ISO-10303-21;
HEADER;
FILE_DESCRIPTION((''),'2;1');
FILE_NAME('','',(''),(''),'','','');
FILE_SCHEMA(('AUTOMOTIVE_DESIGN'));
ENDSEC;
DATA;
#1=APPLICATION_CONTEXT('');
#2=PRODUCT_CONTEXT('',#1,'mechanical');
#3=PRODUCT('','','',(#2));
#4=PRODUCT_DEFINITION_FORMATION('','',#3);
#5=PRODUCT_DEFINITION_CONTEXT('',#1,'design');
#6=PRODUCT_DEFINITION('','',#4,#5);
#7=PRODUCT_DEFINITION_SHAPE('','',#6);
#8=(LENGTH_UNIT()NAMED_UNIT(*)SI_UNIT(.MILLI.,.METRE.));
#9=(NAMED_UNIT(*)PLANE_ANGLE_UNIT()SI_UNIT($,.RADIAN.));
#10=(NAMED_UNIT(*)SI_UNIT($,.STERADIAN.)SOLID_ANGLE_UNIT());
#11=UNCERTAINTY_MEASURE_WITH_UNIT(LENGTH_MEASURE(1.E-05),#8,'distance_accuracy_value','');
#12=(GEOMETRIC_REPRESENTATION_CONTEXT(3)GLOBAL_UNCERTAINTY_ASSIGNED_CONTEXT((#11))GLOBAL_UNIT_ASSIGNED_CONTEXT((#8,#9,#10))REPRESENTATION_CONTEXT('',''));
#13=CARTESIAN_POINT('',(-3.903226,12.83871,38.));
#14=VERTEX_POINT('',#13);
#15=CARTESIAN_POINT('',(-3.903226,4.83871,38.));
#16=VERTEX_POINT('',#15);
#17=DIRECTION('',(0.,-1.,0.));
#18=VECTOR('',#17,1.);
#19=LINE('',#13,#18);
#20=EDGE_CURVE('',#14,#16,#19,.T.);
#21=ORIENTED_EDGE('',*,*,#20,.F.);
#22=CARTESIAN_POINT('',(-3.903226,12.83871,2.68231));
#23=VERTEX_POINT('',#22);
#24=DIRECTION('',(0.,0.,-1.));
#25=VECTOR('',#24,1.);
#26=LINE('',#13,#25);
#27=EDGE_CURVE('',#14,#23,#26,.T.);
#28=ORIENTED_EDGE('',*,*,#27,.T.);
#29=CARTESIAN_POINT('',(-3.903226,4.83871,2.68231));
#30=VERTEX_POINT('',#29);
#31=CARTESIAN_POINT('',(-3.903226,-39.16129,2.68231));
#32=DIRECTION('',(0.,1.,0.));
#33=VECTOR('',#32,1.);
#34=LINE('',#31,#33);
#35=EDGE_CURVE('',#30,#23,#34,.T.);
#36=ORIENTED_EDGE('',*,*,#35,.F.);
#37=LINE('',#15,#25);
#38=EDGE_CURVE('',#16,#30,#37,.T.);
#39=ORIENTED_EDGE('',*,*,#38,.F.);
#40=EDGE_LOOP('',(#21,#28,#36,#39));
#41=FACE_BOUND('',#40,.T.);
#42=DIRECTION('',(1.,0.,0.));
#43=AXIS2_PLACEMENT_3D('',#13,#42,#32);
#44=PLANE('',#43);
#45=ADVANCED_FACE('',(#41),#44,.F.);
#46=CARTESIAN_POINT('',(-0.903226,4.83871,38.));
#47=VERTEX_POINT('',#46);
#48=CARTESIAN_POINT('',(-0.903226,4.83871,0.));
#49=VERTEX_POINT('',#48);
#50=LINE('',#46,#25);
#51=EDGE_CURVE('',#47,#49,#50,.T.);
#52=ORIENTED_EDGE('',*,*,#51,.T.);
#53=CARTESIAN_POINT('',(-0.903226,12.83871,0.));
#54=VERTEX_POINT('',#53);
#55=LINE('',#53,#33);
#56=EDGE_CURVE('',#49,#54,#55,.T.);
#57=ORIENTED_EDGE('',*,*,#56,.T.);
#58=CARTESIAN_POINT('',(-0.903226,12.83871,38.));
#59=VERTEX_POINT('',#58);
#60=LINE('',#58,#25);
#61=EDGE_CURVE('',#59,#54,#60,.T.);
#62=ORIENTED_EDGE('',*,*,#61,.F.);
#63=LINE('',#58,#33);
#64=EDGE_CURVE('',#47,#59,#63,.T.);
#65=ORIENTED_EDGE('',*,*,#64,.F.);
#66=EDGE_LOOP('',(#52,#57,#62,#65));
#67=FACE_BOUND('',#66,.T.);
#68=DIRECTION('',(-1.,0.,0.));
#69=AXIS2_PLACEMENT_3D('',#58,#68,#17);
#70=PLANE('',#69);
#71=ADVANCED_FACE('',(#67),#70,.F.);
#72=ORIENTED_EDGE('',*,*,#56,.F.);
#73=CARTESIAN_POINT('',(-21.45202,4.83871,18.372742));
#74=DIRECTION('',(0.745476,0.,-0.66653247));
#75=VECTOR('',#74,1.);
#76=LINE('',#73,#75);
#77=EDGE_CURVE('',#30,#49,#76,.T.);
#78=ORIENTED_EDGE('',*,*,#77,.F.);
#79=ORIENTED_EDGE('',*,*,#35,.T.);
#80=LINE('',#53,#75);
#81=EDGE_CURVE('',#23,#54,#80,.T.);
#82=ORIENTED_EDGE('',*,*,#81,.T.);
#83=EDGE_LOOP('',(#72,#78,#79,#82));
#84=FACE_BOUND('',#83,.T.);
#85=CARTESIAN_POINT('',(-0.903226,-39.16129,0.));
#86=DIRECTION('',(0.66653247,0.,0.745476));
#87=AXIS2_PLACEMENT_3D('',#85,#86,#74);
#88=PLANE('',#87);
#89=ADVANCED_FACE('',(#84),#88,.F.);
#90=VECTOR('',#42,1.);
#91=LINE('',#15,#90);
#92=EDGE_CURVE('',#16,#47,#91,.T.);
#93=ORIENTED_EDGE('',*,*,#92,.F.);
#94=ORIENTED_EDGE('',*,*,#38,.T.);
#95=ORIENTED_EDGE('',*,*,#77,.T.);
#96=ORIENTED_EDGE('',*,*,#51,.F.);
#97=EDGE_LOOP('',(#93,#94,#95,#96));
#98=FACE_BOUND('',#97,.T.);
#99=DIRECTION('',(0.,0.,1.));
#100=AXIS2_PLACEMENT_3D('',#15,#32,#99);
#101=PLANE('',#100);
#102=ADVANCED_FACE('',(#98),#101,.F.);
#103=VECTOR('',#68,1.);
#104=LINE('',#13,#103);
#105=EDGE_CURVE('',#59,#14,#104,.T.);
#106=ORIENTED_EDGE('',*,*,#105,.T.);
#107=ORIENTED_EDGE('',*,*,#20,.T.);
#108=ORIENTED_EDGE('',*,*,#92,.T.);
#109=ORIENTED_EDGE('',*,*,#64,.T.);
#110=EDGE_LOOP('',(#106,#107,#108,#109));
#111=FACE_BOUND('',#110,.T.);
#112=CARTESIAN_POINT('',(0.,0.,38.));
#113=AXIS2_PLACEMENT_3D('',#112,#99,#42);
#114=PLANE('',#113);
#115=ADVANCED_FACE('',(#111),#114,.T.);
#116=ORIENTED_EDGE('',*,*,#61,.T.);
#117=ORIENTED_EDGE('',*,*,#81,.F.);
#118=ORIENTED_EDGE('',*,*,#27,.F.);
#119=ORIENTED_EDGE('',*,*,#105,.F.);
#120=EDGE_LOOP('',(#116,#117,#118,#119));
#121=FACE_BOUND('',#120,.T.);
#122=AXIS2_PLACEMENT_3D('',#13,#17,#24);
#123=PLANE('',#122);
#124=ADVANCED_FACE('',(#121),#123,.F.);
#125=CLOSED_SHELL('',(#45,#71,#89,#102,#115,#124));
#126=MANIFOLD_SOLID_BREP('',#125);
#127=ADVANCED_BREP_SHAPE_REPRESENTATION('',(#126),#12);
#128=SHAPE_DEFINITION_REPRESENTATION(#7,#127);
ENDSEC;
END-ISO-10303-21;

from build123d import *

# Parameters (mm, degrees)
SKETCH1_W           = 3
SKETCH1_H           = 8
BOSS_EXTRUDE1_DEPTH = 38
CUT_EXTRUDE1_DEPTH  = 52


with BuildPart() as part:
    # Sketch1 → Boss-Extrude1 (new body)
    with BuildSketch(Plane.XY):
        with Locations((-2.403225806, 8.838709677)):
            Rectangle(SKETCH1_W, SKETCH1_H)
    extrude(amount=BOSS_EXTRUDE1_DEPTH)

    # Sketch3 → Cut-Extrude1 (cut)
    with BuildSketch(Plane(origin=(0, 12.838709677, 0), x_dir=(1, 0, 0), z_dir=(0, 1, 0))):
        Polygon((-0.903225806, 0), (-3.903225806, -2.682309573), (-3.903225806, 0), align=None)
    extrude(amount=-CUT_EXTRUDE1_DEPTH, mode=Mode.SUBTRACT)


solid = part.part
